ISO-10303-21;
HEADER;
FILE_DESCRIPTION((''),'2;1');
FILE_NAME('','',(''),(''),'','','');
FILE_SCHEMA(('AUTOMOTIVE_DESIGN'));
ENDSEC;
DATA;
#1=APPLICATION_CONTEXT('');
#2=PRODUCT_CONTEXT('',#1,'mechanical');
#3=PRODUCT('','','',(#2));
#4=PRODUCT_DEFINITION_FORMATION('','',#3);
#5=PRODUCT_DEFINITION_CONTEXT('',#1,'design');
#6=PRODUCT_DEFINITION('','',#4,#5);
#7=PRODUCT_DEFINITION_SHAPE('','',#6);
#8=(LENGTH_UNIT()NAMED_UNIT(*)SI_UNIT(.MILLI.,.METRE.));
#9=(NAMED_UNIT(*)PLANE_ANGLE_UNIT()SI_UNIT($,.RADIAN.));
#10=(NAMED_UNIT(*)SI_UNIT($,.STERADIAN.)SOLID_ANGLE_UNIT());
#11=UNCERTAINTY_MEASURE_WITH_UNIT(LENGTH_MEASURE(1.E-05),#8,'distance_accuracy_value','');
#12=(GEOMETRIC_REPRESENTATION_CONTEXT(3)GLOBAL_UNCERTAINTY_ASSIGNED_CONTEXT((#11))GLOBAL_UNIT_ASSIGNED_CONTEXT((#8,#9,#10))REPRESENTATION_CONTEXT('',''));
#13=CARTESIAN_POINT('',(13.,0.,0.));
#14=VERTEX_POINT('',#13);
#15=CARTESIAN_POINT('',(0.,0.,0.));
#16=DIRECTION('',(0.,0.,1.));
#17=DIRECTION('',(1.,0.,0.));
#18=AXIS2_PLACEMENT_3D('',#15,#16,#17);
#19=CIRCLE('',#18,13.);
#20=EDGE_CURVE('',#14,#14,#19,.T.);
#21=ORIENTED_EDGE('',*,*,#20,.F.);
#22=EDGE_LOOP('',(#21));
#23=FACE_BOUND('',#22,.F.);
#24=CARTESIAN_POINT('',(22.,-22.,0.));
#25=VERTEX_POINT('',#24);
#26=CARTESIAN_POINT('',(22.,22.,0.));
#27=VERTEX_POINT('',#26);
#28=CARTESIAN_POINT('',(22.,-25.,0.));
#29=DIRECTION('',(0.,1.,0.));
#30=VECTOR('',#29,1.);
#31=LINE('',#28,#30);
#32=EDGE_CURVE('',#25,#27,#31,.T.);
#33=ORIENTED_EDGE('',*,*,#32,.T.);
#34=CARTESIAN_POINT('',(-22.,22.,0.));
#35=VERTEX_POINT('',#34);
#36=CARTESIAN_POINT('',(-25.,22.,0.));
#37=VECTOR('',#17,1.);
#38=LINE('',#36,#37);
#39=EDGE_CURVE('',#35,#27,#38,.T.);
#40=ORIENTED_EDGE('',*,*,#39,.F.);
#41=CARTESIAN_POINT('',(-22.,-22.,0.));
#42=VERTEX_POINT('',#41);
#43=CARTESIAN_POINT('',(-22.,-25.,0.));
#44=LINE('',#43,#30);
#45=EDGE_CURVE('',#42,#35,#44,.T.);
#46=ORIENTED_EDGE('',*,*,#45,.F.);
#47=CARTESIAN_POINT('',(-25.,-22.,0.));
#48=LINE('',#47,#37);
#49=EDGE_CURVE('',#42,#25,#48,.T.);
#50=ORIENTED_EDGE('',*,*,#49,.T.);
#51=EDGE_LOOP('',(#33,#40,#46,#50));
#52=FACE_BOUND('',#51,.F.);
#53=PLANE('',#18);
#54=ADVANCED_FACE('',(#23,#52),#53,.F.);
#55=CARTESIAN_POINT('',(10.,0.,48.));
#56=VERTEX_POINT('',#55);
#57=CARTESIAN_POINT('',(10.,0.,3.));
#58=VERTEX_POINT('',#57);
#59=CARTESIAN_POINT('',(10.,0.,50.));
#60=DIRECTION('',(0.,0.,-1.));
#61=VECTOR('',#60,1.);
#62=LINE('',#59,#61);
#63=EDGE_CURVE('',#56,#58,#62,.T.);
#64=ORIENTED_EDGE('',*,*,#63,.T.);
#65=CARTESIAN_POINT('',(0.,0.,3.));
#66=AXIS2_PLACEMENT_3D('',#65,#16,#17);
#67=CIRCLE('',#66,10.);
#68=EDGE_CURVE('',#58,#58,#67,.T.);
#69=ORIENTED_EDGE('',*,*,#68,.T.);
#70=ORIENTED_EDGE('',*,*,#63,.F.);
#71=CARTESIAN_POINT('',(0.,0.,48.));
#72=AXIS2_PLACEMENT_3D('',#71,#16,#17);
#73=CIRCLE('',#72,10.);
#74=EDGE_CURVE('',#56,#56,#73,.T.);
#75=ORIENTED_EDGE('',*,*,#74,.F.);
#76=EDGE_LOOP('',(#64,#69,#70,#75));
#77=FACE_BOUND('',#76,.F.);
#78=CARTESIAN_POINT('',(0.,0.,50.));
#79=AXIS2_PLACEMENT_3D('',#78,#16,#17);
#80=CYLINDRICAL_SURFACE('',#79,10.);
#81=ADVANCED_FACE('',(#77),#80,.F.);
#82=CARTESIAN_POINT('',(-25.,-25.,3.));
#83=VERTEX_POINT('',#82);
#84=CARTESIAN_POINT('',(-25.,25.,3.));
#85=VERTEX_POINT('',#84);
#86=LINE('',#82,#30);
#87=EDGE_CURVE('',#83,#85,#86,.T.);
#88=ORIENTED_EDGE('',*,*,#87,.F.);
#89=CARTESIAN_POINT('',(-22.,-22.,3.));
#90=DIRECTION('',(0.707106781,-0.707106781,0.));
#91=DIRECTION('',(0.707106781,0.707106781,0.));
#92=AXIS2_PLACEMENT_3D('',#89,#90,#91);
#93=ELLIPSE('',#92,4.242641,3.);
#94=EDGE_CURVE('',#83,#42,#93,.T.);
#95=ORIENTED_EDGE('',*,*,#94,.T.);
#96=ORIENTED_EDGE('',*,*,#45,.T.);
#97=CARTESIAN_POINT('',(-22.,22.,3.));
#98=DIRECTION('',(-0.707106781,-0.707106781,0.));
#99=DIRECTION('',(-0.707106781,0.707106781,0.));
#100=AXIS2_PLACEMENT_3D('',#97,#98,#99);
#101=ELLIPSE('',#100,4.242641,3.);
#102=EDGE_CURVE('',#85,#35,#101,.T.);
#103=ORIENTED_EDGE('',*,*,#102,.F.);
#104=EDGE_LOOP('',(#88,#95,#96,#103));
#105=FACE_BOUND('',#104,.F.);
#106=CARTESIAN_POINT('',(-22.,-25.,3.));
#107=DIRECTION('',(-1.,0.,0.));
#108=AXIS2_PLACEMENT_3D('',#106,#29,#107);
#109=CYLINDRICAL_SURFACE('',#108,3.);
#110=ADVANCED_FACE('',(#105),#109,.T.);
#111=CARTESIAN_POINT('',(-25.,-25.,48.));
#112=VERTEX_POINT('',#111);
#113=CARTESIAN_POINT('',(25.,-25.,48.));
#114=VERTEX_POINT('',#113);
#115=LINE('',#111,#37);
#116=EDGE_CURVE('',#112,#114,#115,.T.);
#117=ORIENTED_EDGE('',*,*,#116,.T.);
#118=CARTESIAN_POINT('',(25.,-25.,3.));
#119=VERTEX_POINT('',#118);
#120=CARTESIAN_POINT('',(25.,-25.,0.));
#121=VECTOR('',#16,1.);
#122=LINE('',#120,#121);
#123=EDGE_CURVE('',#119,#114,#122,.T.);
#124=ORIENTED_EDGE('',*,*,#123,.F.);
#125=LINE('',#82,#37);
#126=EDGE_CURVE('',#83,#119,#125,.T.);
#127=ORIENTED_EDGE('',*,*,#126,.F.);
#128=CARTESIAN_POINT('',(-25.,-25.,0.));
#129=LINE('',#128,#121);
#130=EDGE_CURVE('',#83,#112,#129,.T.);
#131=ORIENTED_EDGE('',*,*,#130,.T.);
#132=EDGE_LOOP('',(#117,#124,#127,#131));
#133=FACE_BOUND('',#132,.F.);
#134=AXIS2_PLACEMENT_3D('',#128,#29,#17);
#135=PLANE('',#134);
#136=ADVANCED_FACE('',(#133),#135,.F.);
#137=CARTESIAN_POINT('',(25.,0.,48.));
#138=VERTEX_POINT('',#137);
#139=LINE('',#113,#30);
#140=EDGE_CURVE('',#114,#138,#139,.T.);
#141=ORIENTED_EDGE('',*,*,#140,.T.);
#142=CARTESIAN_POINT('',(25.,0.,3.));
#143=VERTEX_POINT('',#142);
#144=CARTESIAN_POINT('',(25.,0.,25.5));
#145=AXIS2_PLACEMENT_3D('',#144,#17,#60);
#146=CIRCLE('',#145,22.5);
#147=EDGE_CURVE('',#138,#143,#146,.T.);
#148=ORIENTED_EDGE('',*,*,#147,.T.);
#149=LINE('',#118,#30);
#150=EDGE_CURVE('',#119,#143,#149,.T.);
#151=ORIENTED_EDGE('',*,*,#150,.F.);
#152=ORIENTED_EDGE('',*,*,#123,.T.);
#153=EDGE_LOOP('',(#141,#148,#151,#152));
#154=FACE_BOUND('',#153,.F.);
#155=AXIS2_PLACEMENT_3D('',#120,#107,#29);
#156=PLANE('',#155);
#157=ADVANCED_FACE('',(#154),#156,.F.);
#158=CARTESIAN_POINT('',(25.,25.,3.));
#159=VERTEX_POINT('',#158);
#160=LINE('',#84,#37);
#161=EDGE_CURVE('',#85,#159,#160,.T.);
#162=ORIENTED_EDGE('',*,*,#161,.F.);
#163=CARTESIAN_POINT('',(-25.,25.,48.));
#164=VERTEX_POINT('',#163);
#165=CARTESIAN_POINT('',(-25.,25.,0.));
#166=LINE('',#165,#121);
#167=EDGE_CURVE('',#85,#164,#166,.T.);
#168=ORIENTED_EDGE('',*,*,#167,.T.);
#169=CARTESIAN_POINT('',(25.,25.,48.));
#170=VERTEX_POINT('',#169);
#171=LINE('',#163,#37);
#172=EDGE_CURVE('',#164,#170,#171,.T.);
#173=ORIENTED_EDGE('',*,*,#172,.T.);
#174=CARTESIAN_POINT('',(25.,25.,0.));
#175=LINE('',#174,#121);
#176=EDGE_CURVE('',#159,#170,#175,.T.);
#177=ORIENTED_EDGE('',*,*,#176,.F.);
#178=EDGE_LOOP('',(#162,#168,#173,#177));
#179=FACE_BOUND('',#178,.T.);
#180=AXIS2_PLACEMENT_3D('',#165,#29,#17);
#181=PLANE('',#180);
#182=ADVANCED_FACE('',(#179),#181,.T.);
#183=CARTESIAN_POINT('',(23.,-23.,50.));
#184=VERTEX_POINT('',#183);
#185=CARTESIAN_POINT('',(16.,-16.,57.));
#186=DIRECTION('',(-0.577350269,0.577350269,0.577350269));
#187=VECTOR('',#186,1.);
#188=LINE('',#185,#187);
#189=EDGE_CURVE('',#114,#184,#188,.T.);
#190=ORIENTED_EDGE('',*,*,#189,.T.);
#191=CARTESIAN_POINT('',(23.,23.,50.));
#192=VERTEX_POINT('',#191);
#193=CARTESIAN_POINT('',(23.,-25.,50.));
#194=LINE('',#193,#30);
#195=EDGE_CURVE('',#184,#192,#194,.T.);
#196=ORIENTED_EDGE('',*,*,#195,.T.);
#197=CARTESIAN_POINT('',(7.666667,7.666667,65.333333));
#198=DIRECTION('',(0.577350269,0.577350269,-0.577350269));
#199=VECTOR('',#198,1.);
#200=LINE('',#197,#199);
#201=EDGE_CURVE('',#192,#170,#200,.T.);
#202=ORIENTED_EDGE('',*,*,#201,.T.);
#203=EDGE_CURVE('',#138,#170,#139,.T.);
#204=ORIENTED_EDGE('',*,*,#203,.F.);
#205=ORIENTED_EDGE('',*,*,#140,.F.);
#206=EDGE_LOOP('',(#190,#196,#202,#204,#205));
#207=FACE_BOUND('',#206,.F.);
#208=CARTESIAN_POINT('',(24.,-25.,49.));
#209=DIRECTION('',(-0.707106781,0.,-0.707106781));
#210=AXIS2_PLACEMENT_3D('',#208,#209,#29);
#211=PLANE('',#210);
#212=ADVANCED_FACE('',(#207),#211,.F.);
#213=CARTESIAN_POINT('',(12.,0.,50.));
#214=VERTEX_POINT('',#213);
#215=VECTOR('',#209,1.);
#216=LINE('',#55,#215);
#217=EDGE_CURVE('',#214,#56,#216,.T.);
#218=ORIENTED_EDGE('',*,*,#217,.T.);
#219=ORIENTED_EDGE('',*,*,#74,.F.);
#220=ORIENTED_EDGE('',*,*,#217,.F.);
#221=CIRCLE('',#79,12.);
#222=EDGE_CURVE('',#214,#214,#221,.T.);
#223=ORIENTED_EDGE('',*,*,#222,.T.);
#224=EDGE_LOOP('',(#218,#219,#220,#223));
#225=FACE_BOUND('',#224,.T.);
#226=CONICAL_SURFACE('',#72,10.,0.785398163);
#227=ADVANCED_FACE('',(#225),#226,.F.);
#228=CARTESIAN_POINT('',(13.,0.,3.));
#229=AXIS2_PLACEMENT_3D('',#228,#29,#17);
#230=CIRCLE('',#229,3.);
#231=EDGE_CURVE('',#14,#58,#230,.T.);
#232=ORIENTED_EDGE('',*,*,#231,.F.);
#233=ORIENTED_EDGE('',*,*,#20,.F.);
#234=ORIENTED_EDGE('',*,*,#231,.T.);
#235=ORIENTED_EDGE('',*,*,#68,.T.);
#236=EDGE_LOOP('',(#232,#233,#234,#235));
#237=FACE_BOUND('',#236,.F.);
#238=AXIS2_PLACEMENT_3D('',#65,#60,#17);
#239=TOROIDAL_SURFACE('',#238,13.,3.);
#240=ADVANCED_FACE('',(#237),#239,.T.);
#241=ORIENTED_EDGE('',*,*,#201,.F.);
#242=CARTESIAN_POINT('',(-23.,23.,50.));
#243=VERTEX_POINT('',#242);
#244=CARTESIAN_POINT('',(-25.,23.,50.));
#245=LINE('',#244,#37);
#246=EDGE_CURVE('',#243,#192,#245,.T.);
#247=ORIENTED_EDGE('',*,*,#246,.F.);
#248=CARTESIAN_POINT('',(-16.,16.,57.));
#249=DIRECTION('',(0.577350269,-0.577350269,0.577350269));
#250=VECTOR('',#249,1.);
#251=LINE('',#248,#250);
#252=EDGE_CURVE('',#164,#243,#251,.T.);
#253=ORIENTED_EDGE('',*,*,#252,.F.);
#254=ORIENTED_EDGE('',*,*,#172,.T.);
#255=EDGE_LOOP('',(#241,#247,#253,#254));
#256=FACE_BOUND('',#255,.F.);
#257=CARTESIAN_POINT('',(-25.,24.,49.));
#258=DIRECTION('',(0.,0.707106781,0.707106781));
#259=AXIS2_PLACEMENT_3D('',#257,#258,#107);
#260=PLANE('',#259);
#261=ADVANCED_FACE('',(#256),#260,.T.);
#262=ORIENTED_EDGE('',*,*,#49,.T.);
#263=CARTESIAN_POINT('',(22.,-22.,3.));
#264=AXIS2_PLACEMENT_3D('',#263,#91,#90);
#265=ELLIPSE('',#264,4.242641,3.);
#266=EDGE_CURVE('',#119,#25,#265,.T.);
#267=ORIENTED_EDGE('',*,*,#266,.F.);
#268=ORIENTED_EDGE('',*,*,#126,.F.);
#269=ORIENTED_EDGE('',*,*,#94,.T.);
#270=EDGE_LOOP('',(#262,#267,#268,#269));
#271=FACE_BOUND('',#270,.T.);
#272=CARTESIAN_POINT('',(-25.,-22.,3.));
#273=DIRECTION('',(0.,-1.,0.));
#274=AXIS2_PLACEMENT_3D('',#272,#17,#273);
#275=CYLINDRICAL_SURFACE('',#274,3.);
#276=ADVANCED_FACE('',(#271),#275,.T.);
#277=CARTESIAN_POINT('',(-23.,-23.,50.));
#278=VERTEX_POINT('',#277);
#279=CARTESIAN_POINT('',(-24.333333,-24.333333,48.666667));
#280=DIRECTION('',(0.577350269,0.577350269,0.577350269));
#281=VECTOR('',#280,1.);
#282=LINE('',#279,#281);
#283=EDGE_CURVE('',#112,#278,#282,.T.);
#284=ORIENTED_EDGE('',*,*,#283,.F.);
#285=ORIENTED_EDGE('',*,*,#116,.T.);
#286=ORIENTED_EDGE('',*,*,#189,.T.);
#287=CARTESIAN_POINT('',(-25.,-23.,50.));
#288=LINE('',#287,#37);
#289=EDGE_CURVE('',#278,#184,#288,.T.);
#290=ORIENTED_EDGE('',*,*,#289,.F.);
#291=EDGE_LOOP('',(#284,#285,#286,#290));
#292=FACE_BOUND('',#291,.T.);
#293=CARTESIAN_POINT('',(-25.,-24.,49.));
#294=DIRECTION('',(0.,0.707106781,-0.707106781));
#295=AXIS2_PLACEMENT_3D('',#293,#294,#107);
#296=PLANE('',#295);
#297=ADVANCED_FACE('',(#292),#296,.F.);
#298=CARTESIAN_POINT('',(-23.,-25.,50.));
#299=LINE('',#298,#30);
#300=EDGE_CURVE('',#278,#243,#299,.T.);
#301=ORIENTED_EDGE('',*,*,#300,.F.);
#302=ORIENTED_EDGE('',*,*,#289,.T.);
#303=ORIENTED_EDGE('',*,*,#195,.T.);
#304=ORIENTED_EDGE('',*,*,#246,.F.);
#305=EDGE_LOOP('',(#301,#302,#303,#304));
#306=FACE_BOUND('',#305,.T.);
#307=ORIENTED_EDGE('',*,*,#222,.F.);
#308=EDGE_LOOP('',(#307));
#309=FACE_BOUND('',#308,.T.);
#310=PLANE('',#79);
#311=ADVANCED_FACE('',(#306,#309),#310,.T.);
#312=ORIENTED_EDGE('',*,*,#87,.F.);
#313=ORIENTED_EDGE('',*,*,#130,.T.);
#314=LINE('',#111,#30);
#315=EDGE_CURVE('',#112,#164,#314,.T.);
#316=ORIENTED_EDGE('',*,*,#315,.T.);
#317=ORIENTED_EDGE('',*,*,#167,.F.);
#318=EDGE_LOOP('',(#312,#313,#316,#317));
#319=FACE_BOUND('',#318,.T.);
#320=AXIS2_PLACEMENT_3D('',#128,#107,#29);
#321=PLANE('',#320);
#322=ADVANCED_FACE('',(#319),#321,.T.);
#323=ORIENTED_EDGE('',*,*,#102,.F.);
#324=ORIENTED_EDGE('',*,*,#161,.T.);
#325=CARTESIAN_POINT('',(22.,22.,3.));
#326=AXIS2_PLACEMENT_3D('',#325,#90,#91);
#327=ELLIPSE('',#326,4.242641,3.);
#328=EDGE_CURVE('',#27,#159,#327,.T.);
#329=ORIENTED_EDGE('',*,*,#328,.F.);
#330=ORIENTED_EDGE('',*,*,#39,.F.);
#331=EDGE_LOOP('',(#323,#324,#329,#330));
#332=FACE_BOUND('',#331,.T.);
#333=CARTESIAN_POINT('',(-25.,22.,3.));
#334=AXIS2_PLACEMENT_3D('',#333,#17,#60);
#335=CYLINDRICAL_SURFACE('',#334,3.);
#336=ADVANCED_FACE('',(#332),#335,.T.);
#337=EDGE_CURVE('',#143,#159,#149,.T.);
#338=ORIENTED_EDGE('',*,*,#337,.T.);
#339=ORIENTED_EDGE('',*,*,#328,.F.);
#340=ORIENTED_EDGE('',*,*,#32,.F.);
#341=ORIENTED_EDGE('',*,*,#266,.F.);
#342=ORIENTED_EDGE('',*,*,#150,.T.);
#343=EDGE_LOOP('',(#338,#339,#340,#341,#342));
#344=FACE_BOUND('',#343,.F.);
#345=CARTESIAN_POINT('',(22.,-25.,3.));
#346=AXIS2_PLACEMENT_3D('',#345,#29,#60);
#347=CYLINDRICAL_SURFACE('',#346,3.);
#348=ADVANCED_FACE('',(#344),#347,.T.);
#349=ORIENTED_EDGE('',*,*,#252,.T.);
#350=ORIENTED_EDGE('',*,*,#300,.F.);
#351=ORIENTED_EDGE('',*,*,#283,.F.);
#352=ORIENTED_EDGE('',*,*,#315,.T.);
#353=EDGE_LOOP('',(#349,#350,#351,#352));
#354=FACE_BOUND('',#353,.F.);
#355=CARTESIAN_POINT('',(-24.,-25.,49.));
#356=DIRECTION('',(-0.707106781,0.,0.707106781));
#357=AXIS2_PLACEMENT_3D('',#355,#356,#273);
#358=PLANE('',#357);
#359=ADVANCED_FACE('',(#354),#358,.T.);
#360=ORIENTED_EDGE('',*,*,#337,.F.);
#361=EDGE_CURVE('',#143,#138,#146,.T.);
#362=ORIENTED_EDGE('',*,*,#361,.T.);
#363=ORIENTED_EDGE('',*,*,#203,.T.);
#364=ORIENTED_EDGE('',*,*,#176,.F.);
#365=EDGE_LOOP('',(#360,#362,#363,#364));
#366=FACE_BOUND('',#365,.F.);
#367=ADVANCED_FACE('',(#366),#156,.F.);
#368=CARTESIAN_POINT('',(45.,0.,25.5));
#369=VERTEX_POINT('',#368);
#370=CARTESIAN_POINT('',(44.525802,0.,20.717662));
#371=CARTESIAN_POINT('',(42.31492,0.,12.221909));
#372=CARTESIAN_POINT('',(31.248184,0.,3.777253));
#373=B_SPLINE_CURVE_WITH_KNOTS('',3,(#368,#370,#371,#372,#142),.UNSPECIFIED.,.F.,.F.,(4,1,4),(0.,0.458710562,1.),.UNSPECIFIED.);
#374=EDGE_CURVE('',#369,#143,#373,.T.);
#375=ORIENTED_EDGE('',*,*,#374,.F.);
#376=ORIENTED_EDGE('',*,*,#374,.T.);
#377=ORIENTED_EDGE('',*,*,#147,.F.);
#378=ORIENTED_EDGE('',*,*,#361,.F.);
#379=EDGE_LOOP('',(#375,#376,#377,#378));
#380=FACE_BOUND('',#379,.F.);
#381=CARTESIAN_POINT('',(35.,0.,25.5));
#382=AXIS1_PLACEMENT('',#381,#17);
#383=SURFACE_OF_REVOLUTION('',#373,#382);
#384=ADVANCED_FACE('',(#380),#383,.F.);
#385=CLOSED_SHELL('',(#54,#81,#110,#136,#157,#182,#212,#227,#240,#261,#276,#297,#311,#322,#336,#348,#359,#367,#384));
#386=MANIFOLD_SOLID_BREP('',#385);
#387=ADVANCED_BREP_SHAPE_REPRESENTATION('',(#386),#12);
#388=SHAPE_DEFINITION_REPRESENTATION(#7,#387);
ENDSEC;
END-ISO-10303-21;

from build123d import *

# Parameters (mm, degrees)
F0_W     = 50
F0_H     = 50
F1_DEPTH = 50
F2_R     = 10
F3_DEPTH = 50.001
F4_SIZE  = 2
F5_R     = 3


with BuildPart() as f1:
    # F0 (on Top) → F1 (new body)
    with BuildSketch(Plane.XY):
        Rectangle(F0_W, F0_H)
    extrude(amount=F1_DEPTH)

    # F2 (on face) → F3 (cut, through all)
    with BuildSketch(Plane.XY.offset(50)):
        Circle(F2_R)
    extrude(amount=-F3_DEPTH, mode=Mode.SUBTRACT)

    # F4
    f4_edges = [f1.edges().sort_by_distance(p)[0] for p in [
        (0, -25, 50),
        (-25, 0, 50),
        (25, 0, 50),
        (0, 25, 50),
        (-10, 0, 50),
    ]]
    chamfer(f4_edges, length=F4_SIZE)

    # F5
    f5_edges = [f1.edges().sort_by_distance(p)[0] for p in [
        (0, -25, 0),
        (-25, 0, 0),
        (25, 0, 0),
        (0, 25, 0),
        (-10, 0, 0),
    ]]
    fillet(f5_edges, radius=F5_R)

    # F6 (on Front) → F7 (revolve)
    with BuildSketch(Plane.XZ):
        with BuildLine():
            Line((45, 25.5), (25, 25.5))
            Line((25, 25.5), (25, 3))
            add(Edge.make_bspline(
                [(45, 25.5), (44.5258021355, 20.7176618278), (42.3149203915, 12.2219088735), (31.248183921, 3.7772532087), (25, 3)],
                knots=[0, 0, 0, 0, 0.4587105615, 1, 1, 1, 1], degree=3))
        make_face()
    revolve(axis=Axis((35, 0, 25.5), (1, 0, 0)))


solid = f1.part
